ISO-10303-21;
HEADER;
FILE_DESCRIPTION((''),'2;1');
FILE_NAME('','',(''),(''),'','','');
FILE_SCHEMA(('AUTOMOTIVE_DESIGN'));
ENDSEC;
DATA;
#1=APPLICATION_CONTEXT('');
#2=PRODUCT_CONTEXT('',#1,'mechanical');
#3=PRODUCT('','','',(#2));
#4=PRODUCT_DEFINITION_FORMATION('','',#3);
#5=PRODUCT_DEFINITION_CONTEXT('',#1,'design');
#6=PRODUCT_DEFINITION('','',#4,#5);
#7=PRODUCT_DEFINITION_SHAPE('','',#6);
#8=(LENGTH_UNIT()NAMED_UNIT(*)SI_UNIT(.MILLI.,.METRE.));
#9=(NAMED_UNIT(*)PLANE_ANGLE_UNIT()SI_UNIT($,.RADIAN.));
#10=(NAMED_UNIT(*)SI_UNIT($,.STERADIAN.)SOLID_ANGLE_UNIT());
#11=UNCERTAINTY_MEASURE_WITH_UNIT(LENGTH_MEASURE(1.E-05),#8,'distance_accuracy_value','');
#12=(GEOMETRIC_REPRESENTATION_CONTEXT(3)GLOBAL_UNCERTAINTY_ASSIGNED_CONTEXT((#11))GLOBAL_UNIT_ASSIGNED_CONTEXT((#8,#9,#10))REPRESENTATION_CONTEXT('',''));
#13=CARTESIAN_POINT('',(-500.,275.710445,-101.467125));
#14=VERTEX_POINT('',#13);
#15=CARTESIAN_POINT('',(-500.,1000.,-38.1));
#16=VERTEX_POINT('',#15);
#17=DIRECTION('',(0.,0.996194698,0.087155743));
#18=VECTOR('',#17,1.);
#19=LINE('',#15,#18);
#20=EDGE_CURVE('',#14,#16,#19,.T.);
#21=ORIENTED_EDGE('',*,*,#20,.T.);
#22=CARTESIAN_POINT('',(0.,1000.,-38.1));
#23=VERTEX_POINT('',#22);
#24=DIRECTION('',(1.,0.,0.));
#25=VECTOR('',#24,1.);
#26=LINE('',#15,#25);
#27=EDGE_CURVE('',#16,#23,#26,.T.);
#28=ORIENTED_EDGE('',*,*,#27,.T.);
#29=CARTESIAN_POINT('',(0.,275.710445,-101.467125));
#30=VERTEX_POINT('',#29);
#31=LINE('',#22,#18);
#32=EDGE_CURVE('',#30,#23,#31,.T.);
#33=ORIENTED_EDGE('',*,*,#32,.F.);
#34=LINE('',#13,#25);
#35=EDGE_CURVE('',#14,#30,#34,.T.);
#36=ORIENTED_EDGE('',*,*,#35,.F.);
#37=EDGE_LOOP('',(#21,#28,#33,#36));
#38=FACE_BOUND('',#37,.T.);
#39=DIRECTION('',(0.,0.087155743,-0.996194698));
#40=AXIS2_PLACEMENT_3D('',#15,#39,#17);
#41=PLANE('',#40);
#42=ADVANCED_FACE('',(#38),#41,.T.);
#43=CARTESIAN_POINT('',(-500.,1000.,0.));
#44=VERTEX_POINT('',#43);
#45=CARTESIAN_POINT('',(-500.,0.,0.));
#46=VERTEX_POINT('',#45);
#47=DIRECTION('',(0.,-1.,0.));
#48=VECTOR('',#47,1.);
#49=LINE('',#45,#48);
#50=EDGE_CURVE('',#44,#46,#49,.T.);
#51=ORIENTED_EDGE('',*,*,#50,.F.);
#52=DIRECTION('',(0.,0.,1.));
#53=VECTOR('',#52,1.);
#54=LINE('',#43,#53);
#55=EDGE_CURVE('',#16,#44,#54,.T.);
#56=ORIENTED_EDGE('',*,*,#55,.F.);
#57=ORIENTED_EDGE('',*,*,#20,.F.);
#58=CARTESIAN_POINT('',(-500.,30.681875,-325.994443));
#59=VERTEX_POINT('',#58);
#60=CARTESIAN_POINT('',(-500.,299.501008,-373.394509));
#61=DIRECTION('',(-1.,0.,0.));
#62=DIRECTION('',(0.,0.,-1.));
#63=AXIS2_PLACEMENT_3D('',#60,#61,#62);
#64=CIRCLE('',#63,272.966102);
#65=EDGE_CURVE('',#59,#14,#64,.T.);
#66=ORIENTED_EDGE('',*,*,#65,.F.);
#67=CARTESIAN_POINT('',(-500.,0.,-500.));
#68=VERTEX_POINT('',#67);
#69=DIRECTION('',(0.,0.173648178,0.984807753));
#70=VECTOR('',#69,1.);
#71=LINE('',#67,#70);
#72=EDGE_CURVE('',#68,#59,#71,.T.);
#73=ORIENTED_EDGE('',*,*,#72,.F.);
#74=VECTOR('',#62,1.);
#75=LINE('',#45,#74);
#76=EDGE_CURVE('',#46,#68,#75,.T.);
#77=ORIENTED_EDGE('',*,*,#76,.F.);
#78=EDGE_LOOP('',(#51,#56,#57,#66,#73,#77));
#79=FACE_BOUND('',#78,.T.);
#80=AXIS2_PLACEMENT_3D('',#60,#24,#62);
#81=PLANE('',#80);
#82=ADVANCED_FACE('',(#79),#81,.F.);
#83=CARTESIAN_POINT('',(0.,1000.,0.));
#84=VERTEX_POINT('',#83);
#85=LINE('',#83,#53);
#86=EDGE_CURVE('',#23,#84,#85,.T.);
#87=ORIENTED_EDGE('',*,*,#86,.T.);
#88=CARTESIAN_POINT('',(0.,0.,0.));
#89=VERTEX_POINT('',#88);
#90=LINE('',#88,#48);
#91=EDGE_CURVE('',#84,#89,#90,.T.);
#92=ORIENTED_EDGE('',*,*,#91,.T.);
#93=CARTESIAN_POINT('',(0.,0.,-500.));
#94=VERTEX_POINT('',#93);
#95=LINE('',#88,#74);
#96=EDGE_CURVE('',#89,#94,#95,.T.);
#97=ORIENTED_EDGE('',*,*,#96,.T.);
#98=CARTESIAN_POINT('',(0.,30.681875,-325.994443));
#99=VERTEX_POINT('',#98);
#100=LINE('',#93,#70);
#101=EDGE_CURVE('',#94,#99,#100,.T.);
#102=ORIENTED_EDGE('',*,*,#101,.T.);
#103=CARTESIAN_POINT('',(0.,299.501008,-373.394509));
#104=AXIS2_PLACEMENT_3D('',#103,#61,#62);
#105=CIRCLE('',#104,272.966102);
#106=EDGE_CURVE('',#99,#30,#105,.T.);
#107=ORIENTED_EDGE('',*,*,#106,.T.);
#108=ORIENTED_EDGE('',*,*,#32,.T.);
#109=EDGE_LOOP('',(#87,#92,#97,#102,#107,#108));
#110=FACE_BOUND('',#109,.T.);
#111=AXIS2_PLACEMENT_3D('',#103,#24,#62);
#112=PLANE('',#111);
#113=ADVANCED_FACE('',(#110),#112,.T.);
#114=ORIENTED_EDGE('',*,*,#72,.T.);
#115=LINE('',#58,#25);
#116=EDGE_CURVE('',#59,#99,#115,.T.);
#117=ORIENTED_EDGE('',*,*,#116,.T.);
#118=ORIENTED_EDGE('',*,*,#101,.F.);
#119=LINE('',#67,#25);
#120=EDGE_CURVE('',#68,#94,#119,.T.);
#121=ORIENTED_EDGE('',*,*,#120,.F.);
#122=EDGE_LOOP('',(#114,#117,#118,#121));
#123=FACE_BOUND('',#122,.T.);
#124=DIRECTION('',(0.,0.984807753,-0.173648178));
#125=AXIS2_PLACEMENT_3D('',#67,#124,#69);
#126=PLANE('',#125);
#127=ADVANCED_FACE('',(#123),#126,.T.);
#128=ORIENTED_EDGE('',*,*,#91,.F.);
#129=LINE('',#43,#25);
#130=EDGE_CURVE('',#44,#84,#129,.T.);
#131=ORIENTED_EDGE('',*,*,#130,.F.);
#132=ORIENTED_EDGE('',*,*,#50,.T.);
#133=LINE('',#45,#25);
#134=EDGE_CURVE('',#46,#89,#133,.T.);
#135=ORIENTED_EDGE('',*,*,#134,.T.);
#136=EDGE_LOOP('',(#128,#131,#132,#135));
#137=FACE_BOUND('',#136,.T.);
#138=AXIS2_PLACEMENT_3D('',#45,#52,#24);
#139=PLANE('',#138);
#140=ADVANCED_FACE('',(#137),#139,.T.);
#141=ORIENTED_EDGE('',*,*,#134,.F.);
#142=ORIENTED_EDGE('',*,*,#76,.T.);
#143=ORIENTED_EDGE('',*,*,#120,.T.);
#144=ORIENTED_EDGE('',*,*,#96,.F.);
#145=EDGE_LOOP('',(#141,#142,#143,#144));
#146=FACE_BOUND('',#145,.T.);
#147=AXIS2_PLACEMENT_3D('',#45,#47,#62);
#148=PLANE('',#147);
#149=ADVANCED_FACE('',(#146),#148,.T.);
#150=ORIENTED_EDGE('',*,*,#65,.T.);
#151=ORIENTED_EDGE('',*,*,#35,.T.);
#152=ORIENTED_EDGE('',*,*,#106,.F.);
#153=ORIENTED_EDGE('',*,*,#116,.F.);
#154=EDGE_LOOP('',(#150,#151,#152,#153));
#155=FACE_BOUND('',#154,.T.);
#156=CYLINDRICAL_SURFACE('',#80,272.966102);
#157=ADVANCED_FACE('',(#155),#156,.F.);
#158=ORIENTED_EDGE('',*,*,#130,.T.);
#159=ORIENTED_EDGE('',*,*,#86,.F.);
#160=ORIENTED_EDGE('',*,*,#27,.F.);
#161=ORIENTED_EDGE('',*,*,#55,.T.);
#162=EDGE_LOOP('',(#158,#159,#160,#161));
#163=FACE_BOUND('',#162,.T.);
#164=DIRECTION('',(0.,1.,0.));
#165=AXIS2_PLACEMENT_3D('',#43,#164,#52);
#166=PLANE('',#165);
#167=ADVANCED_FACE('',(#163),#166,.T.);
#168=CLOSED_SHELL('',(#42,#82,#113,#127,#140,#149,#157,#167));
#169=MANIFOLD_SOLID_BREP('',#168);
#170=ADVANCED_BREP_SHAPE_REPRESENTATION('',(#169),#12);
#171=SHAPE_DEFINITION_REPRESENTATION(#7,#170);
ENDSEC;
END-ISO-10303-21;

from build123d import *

# Parameters (mm, degrees)
BOSS_EXTRUDE1_DEPTH = 500


with BuildPart() as part:
    # Sketch1 → Boss-Extrude1 (new body)
    with BuildSketch(Plane(origin=(0, 0, 0), x_dir=(0, 0, -1), z_dir=(1, 0, 0))):
        with BuildLine():
            Line((38.1, 1000), (101.4671252, 275.710444691))
            ThreePointArc((101.4671252, 275.710444691), (172.142788026, 115.087782586), (325.99444252, 30.681874577))
            Line((325.99444252, 30.681874577), (500, 0))
            Line((500, 0), (0, 0))
            Line((0, 0), (0, 1000))
            Line((0, 1000), (38.1, 1000))
        make_face()
    extrude(amount=-BOSS_EXTRUDE1_DEPTH)


solid = part.part
